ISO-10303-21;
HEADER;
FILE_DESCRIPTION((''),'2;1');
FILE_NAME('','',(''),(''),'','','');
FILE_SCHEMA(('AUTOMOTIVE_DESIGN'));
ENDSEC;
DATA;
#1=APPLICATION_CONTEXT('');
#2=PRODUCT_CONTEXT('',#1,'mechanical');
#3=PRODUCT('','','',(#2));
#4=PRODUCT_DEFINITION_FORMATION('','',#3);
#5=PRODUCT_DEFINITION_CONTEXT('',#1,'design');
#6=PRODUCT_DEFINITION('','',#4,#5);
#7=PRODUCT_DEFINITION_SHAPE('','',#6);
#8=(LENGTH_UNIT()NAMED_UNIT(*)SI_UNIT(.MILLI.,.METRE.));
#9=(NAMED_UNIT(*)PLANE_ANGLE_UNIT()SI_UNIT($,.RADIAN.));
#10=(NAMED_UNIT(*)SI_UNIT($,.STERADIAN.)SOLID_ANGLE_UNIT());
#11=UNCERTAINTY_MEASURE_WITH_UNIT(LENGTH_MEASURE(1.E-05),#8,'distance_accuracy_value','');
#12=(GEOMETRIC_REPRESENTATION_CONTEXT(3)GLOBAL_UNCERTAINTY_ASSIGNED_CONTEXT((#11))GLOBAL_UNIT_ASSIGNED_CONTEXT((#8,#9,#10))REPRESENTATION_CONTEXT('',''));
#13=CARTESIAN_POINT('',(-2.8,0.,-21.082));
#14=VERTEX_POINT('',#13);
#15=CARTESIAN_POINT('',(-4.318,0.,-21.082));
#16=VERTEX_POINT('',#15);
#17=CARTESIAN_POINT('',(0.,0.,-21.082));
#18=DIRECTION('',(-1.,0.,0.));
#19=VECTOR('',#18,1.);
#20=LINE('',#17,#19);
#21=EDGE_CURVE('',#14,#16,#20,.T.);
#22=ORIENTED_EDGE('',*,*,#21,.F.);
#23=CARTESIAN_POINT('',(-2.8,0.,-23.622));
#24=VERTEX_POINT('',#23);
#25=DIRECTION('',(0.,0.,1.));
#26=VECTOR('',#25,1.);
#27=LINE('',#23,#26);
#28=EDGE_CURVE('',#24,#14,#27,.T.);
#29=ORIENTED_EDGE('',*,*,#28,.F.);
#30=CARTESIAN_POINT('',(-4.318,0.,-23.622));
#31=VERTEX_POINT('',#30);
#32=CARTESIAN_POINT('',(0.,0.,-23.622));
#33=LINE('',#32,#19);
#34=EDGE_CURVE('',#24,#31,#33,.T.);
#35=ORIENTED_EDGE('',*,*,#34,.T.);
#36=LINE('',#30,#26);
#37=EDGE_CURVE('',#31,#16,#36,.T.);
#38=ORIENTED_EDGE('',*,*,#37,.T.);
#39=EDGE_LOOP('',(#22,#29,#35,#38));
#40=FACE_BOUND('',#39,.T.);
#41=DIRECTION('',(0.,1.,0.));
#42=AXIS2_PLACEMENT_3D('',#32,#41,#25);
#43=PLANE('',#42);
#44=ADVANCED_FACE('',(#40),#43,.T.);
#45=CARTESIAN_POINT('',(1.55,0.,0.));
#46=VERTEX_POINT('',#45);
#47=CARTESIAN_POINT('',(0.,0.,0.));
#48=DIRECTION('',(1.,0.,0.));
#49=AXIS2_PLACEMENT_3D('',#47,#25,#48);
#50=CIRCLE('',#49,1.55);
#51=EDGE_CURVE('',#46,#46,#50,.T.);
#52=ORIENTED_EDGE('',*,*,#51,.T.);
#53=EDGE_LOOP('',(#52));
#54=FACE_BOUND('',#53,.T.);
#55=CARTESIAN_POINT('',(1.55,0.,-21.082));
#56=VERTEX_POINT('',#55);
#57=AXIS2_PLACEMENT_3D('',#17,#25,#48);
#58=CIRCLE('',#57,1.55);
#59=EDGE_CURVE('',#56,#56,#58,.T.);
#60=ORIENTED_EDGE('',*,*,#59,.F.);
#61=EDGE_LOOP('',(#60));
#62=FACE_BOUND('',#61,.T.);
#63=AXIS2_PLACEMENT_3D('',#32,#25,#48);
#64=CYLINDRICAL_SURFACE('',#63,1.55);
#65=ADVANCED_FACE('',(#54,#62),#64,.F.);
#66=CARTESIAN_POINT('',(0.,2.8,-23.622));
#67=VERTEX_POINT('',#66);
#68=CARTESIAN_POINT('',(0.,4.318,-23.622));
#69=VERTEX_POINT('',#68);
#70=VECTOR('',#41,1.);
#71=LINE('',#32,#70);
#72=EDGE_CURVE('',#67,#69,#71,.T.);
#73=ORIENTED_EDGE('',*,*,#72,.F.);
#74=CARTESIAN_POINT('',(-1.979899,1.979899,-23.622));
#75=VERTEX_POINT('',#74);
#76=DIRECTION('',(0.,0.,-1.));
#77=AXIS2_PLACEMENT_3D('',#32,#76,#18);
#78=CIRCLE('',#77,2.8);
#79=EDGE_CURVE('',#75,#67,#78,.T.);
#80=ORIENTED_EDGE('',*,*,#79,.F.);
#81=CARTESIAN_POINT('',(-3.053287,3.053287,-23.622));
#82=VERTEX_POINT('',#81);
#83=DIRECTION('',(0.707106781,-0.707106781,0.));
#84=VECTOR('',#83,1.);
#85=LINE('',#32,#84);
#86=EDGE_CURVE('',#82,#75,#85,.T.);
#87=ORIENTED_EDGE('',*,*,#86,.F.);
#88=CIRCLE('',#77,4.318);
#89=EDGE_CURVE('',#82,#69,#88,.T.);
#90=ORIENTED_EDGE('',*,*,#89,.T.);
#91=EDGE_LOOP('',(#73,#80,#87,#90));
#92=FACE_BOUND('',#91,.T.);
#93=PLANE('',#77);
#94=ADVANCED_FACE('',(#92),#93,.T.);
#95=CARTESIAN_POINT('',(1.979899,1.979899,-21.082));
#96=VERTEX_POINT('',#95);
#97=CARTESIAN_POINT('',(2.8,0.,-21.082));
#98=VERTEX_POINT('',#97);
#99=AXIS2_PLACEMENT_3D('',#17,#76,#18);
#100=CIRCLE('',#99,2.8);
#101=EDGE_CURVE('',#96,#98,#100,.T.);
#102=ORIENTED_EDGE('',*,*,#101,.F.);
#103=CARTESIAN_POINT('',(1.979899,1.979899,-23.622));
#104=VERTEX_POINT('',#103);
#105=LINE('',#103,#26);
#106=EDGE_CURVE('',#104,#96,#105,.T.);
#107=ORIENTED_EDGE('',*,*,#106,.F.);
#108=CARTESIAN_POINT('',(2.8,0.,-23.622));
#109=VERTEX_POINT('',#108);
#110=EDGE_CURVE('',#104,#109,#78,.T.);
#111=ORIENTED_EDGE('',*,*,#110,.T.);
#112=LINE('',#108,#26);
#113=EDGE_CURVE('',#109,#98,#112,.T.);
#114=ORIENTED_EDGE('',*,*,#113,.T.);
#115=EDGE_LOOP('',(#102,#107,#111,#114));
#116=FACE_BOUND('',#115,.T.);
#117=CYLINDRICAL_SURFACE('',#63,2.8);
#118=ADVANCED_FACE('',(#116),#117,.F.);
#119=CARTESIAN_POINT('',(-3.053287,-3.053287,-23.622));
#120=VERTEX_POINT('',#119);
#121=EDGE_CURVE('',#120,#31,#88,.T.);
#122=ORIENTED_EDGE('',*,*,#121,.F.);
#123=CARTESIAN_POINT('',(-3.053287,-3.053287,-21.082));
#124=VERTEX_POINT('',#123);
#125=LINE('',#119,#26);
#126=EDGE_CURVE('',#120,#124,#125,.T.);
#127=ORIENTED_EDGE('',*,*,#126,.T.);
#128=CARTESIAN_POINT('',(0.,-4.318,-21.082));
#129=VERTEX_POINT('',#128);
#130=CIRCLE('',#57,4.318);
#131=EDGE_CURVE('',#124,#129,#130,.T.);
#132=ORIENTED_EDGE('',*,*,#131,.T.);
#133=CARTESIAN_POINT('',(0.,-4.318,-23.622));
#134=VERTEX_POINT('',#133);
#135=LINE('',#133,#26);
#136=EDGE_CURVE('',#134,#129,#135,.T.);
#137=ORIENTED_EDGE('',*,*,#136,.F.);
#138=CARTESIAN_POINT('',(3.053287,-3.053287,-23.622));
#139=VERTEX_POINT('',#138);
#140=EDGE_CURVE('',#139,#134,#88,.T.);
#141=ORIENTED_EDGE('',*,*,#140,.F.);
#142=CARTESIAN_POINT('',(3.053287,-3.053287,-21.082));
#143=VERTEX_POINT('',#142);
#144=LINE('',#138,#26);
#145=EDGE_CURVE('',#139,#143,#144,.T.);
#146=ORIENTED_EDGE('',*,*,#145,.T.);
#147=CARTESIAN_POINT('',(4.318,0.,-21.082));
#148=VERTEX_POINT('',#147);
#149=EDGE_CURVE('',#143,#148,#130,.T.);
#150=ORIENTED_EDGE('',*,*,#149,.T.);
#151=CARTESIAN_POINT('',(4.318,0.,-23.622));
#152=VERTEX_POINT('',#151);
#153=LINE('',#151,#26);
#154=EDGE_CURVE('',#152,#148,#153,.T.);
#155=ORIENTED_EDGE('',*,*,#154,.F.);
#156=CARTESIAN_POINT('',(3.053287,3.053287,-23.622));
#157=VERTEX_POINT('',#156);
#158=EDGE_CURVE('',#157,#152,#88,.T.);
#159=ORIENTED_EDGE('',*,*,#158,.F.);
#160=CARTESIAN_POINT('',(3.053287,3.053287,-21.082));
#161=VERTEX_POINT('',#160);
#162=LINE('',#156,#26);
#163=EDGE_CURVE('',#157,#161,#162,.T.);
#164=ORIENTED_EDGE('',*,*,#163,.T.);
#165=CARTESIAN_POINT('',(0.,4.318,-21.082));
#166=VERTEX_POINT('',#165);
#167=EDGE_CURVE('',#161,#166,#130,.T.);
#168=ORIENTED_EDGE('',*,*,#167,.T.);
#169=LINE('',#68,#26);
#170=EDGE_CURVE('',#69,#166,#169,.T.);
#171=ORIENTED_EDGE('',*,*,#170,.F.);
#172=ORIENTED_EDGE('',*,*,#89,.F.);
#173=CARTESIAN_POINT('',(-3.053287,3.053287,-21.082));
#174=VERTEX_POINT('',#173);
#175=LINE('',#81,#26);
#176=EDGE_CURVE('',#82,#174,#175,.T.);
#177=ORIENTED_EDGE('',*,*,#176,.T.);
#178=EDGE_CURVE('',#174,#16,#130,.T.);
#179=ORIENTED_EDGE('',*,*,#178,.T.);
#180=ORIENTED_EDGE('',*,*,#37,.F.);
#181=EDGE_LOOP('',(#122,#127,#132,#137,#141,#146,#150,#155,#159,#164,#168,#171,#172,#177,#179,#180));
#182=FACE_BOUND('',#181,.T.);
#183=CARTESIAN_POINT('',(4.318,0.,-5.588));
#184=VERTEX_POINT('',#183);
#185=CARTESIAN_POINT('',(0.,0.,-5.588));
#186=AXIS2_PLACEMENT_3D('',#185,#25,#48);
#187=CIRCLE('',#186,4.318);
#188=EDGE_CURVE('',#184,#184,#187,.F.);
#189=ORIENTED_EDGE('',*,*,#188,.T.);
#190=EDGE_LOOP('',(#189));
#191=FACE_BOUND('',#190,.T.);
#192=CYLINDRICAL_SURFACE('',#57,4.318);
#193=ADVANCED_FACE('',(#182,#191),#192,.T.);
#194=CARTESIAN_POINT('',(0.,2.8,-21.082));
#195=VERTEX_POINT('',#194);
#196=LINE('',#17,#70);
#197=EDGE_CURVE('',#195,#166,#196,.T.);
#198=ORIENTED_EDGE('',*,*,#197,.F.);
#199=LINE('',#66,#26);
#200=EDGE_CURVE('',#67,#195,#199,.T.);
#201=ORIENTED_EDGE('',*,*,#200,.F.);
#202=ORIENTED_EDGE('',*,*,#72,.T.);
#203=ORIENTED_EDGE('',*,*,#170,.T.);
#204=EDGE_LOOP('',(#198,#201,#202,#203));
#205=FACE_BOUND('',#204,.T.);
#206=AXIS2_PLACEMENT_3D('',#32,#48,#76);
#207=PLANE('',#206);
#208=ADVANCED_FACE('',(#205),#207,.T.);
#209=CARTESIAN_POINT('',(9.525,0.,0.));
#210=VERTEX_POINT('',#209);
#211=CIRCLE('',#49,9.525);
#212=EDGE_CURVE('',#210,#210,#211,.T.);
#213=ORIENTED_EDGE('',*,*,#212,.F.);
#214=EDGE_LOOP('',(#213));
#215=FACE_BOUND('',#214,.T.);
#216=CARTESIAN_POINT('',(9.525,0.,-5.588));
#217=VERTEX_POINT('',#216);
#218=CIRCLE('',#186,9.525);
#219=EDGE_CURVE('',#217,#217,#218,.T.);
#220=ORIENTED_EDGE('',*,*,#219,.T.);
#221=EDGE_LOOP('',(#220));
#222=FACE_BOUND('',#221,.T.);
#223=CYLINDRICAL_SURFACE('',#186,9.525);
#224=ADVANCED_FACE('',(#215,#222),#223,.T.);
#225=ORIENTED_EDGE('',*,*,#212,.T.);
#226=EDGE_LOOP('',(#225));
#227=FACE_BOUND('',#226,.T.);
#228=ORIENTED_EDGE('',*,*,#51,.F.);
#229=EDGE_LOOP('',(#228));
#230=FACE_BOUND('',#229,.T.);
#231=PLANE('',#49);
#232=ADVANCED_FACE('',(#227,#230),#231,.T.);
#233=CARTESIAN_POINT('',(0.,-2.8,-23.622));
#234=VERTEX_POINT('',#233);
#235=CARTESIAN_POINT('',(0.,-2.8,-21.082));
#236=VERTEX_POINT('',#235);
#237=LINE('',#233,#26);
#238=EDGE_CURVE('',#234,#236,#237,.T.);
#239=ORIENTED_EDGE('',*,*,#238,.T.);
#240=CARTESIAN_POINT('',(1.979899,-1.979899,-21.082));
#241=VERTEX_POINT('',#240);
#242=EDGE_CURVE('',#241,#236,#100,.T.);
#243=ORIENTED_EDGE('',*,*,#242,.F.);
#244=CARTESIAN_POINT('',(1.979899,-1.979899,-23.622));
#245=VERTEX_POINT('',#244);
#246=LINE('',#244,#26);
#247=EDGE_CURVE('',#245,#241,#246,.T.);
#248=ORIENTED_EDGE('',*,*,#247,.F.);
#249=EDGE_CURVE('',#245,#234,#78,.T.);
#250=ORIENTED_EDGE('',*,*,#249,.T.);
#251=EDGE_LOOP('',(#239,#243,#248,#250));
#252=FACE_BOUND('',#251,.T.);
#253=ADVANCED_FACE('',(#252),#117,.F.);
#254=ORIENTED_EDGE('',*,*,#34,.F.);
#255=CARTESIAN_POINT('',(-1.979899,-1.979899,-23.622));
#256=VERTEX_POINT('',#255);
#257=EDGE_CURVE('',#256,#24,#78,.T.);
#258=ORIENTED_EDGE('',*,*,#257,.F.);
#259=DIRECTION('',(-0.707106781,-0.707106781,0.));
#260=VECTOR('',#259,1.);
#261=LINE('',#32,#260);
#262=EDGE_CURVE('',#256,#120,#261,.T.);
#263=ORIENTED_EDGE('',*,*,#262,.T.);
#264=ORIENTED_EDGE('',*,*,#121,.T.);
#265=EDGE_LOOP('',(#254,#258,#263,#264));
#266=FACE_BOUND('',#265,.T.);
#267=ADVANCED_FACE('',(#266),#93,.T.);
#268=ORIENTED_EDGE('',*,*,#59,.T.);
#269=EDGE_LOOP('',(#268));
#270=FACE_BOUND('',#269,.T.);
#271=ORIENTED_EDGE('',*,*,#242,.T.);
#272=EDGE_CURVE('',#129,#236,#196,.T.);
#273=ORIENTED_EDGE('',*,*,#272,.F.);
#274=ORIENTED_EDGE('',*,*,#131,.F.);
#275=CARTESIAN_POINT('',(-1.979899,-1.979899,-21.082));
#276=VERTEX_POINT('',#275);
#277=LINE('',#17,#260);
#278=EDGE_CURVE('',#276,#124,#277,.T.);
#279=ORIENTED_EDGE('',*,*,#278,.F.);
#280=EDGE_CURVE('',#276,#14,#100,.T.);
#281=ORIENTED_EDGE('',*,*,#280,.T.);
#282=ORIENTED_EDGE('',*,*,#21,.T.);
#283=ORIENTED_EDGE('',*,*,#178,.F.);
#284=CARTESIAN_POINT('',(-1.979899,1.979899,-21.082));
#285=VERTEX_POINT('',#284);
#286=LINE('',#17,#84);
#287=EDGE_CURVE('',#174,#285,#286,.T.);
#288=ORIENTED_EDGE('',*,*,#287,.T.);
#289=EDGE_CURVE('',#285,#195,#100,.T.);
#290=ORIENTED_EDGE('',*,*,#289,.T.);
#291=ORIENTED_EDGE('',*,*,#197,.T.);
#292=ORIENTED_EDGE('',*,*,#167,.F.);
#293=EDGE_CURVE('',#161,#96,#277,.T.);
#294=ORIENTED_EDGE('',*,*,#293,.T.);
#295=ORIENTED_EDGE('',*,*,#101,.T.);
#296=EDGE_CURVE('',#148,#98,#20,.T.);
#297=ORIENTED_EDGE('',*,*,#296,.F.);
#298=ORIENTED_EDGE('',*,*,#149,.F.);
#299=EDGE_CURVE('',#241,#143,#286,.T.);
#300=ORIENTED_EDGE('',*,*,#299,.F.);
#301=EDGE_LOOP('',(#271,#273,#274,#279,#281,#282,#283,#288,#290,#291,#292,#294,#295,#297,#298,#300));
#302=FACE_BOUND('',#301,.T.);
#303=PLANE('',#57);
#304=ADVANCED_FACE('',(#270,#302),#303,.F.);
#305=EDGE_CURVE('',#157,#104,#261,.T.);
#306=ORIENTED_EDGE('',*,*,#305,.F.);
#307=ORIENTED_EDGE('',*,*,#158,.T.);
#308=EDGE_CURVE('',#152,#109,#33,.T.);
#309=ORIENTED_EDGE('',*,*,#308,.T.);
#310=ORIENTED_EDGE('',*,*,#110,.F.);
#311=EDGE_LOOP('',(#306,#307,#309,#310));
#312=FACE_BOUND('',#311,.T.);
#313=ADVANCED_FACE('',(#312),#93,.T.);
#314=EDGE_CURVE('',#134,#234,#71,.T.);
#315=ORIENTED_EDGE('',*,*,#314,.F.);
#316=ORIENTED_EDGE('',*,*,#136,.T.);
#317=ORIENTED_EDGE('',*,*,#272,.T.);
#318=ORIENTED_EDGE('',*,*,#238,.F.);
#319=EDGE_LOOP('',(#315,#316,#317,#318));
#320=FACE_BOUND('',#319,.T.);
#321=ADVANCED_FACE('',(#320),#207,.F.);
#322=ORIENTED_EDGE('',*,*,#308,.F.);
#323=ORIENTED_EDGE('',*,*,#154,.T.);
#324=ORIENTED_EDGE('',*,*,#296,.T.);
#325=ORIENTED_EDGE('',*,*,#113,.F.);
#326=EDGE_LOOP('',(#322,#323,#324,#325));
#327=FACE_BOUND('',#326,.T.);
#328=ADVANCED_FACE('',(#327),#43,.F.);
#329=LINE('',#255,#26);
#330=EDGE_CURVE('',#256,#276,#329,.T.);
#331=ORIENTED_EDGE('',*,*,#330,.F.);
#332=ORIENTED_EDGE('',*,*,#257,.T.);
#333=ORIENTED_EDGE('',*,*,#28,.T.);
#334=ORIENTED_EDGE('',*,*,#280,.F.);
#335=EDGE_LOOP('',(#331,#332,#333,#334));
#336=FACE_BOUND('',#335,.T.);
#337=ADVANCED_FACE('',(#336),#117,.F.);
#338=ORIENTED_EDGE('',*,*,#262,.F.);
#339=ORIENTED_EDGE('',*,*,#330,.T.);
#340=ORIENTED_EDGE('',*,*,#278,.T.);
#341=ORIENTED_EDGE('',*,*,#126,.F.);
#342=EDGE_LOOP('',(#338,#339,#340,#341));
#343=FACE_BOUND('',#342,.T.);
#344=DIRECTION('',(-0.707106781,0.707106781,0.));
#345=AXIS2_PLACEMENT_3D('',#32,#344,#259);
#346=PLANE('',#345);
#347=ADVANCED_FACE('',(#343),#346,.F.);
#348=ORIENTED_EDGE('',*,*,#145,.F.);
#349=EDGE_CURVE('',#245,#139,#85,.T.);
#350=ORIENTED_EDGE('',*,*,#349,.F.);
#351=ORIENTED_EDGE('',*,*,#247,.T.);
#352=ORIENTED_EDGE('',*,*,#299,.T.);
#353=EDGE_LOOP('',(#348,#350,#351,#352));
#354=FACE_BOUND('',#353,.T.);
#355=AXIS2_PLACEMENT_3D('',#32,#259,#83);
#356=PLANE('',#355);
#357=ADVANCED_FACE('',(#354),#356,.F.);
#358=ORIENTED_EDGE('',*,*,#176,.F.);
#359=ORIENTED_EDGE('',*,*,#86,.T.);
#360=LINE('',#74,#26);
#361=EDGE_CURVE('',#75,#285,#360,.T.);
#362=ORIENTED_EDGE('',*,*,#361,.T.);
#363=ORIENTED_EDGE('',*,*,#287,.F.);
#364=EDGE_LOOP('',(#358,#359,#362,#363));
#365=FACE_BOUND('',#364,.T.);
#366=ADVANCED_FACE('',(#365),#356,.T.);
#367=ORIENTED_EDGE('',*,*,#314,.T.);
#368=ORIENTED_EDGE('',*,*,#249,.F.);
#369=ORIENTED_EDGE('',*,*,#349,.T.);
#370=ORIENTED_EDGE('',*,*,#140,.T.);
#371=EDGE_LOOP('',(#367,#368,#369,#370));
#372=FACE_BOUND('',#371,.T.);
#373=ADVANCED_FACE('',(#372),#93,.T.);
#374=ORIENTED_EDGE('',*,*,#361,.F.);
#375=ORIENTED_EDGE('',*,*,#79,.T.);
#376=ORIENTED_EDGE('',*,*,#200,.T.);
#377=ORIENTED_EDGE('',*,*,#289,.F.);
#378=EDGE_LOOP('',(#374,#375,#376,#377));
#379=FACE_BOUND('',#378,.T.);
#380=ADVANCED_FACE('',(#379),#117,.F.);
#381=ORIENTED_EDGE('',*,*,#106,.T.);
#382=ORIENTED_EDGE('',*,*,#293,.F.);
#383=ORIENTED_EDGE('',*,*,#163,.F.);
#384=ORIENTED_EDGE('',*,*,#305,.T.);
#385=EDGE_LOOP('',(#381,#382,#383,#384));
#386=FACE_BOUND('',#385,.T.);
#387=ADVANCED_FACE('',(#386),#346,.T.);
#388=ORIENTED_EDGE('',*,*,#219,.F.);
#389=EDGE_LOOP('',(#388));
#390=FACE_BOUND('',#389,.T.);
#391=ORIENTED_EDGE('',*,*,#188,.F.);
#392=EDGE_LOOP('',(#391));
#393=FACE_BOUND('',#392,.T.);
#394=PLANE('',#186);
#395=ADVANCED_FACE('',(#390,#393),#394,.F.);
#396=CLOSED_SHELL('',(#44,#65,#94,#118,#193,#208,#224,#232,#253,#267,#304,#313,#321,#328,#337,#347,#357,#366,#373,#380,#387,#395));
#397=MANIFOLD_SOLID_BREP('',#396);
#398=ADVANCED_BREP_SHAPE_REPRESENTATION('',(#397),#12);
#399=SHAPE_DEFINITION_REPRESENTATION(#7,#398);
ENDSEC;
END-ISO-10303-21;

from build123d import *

# Parameters (mm, degrees)
SKETCH1_R           = 4.318
BOSS_EXTRUDE1_DEPTH = 21.082
SKETCH2_R           = 9.525
BOSS_EXTRUDE2_DEPTH = 5.588
BOSS_EXTRUDE3_DEPTH = 2.54
SKETCH6_R           = 1.55
CUT_EXTRUDE1_DEPTH  = 24.622


with BuildPart() as part:
    # Sketch1 → Boss-Extrude1 (new body)
    with BuildSketch(Plane.XY):
        Circle(SKETCH1_R)
    extrude(amount=-BOSS_EXTRUDE1_DEPTH)

    # Sketch2 → Boss-Extrude2 (add)
    with BuildSketch(Plane.XY):
        Circle(SKETCH2_R)
    extrude(amount=-BOSS_EXTRUDE2_DEPTH)

    # Sketch3 → Boss-Extrude3 (add)
    with BuildSketch(Plane(origin=(0, 0, -21.082), x_dir=(-1, 0, 0), z_dir=(0, 0, -1))):
        with BuildLine():
            Line((1.979898987, -1.979898987), (3.053287081, -3.053287081))
            ThreePointArc((3.053287081, -3.053287081), (3.989311821, -1.652427061), (4.318, 0))
            Line((4.318, 0), (2.8, 0))
            ThreePointArc((2.8, 0), (2.586862691, -1.071513611), (1.979898987, -1.979898987))
        make_face()
        with BuildLine():
            ThreePointArc((-3.053287081, 3.053287081), (-3.989311821, 1.652427061), (-4.318, 0))
            Line((-4.318, 0), (-2.8, 0))
            ThreePointArc((-2.8, 0), (-2.586862691, 1.071513611), (-1.979898987, 1.979898987))
            Line((-1.979898987, 1.979898987), (-3.053287081, 3.053287081))
        make_face()
        with BuildLine():
            ThreePointArc((-3.053287081, -3.053287081), (-1.652427061, -3.989311821), (0, -4.318))
            Line((0, -4.318), (0, -2.8))
            ThreePointArc((0, -2.8), (-1.071513611, -2.586862691), (-1.979898987, -1.979898987))
            Line((-1.979898987, -1.979898987), (-3.053287081, -3.053287081))
        make_face()
        with BuildLine():
            Line((0, 4.318), (0, 2.8))
            ThreePointArc((0, 2.8), (1.071513611, 2.586862691), (1.979898987, 1.979898987))
            Line((1.979898987, 1.979898987), (3.053287081, 3.053287081))
            ThreePointArc((3.053287081, 3.053287081), (1.652427061, 3.989311821), (0, 4.318))
        make_face()
    extrude(amount=BOSS_EXTRUDE3_DEPTH)

    # Sketch6 → Cut-Extrude1 (cut, through all)
    with BuildSketch(Plane.XY):
        Circle(SKETCH6_R)
    extrude(amount=-CUT_EXTRUDE1_DEPTH, mode=Mode.SUBTRACT)


solid = part.part
